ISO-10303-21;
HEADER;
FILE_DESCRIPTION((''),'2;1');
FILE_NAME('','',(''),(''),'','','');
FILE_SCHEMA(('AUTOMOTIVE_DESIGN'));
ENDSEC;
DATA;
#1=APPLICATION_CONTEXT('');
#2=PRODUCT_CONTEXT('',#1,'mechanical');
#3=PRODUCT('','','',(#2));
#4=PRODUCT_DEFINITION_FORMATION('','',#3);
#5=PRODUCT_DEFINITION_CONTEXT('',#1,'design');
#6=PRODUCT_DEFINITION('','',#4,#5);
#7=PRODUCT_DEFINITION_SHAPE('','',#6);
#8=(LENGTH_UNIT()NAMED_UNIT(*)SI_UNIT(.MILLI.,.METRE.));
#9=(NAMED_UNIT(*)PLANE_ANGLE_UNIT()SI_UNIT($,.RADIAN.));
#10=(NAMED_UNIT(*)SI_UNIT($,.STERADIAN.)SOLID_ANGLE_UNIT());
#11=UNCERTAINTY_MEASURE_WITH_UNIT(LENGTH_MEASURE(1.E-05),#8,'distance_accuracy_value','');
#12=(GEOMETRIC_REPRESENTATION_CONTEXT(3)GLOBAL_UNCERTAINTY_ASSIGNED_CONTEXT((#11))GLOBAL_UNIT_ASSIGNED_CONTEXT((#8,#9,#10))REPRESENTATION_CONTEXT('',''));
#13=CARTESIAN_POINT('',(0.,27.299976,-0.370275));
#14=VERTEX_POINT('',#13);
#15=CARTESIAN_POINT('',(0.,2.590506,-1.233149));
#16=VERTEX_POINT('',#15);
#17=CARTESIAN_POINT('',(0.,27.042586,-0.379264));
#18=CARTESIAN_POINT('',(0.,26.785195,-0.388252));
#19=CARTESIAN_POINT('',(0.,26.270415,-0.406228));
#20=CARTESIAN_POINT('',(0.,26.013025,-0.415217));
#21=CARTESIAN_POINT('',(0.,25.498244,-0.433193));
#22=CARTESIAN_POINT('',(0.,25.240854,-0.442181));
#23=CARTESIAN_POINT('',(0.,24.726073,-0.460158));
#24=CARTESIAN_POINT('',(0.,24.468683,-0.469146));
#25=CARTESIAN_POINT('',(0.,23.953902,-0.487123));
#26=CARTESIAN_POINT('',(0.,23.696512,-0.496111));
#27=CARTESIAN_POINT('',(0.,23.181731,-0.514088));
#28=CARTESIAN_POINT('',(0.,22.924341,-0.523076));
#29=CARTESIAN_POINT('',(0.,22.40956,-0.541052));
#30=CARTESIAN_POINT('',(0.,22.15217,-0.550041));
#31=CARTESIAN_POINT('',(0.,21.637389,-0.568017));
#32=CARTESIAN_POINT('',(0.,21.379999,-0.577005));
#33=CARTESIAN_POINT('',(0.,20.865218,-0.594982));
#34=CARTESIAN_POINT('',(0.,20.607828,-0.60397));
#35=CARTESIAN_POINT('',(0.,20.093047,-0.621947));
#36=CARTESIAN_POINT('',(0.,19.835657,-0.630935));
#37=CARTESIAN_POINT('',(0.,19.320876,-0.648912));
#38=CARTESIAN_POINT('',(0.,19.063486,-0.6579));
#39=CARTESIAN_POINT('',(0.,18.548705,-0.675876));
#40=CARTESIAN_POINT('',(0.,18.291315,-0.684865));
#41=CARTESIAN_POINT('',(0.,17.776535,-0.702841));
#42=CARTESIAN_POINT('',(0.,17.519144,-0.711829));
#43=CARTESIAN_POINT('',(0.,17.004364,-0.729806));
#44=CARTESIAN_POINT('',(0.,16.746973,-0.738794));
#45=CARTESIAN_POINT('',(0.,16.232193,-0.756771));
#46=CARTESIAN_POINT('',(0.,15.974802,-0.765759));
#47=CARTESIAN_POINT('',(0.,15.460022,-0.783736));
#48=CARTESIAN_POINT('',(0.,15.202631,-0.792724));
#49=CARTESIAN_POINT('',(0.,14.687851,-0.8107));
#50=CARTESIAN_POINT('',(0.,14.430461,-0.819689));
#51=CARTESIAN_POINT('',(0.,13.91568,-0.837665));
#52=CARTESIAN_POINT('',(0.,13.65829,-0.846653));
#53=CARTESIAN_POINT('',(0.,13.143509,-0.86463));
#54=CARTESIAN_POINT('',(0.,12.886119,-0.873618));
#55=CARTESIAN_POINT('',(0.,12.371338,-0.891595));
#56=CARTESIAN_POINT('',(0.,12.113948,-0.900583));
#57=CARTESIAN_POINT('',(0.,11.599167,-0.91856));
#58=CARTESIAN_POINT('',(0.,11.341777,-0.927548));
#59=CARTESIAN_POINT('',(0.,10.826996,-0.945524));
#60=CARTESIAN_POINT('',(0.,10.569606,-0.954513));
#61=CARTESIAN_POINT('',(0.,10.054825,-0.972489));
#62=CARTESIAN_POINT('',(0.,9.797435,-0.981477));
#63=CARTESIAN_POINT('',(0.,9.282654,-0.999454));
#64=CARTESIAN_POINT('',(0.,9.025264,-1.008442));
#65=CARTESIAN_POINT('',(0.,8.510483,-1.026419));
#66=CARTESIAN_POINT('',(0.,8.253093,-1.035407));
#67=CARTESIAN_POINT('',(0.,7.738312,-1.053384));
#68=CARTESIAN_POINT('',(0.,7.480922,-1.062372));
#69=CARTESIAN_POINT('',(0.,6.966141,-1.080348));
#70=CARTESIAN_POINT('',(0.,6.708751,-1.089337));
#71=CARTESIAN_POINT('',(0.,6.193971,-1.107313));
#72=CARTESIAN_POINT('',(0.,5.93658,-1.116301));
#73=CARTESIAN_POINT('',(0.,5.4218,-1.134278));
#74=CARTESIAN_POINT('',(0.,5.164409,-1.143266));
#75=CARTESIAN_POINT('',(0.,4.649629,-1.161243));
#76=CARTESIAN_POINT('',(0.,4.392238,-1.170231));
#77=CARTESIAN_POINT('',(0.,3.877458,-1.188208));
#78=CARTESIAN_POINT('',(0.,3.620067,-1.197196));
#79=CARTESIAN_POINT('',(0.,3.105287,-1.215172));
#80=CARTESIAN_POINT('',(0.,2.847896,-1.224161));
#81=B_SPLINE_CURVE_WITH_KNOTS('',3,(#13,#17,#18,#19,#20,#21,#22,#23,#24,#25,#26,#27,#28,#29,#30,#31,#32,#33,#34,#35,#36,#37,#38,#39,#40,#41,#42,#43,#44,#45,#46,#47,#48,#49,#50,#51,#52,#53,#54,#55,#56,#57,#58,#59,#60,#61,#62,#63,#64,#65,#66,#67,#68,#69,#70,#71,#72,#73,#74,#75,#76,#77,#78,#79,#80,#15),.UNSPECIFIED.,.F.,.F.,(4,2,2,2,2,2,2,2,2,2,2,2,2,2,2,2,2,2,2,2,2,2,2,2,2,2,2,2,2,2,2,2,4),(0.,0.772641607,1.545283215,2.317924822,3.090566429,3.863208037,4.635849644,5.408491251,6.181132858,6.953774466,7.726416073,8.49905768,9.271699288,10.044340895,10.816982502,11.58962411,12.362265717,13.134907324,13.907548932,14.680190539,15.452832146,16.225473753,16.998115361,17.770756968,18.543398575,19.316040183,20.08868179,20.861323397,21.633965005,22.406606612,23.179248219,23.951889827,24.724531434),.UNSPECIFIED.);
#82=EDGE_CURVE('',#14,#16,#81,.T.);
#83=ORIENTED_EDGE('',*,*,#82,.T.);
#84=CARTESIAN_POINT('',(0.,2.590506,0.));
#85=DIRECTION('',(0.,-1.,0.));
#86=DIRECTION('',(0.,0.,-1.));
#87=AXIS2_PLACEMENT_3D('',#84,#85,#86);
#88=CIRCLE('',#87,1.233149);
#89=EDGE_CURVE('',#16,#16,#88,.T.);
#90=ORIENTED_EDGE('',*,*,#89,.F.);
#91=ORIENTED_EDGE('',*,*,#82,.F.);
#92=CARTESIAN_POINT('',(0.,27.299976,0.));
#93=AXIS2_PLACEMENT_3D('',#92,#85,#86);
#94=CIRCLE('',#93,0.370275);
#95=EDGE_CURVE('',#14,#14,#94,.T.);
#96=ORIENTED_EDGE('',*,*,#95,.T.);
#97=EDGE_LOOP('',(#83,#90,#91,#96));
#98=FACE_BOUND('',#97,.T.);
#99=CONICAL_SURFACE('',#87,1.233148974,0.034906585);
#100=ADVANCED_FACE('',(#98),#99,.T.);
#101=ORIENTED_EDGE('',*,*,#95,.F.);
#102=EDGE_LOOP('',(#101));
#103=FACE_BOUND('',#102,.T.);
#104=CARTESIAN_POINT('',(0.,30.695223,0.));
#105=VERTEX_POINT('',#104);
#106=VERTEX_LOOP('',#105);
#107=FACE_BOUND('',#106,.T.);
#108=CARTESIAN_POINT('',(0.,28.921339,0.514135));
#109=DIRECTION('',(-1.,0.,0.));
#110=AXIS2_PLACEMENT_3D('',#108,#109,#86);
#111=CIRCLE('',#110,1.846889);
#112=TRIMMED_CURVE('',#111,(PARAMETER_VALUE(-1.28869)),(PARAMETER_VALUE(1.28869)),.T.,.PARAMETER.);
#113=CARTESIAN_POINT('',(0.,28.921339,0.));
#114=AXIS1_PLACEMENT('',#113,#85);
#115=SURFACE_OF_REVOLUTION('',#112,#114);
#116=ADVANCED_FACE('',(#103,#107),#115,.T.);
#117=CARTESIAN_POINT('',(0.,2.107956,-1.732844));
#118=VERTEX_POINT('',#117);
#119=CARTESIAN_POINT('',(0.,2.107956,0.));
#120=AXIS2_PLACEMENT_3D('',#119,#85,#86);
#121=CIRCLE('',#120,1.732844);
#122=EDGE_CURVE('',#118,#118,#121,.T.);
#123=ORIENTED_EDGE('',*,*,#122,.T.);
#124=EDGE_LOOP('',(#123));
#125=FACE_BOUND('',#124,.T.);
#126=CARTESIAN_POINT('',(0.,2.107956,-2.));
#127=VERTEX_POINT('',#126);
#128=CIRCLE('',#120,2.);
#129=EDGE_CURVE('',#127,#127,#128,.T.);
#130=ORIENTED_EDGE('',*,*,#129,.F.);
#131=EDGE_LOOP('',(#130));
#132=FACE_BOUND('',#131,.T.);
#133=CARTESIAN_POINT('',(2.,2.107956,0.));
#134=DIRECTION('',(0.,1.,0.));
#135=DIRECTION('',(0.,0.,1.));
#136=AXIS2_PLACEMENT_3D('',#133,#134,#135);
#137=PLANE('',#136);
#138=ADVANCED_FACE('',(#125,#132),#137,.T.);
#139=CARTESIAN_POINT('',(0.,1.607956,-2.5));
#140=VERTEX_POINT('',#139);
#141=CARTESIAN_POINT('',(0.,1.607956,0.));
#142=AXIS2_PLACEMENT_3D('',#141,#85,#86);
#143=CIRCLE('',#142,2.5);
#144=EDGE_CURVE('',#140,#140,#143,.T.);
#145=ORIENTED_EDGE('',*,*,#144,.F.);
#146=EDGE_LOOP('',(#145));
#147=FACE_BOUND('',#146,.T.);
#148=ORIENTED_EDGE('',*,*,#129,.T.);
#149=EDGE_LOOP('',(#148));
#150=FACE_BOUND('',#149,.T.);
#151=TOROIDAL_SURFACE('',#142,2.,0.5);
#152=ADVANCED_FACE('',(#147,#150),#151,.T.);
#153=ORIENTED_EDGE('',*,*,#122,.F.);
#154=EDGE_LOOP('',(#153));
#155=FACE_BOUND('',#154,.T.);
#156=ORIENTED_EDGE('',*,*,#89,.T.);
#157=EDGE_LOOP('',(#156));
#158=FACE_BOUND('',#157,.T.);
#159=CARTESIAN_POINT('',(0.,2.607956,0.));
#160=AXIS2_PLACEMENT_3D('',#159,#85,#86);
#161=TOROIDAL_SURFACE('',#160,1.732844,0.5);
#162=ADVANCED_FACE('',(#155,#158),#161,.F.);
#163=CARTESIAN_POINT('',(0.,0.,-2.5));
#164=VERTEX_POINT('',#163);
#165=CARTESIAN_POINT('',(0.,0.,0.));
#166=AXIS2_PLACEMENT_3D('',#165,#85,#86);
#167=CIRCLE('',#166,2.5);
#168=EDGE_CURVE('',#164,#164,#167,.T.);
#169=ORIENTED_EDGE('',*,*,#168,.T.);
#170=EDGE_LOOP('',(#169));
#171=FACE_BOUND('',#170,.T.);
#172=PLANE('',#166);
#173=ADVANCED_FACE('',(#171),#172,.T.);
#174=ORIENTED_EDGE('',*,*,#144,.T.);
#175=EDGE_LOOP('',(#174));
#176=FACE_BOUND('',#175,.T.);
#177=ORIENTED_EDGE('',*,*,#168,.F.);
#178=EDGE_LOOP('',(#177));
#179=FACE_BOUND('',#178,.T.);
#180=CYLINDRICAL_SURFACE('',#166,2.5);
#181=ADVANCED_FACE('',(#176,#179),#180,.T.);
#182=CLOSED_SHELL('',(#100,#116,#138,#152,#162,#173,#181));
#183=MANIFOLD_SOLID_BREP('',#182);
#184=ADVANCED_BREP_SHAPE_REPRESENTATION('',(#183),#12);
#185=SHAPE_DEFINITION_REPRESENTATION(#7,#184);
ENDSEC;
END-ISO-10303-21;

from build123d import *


with BuildPart() as part:
    # Croquis1 → Revolución1 (revolve)
    with BuildSketch(Plane.XY, mode=Mode.PRIVATE) as revoluci_n1_sk:
        with BuildLine():
            Line((0, 0), (2.5, 0))
            Line((2.5, 0), (2.5, 1.607955914))
            ThreePointArc((2.5, 1.607955914), (2.353553391, 1.961509305), (2, 2.107955914))
            Line((2, 2.107955914), (1.732844387, 2.107955914))
            ThreePointArc((1.732844387, 2.107955914), (1.385515202, 2.248286014), (1.233148974, 2.590506166))
            Line((1.233148974, 2.590506166), (0.370275271, 27.299976083))
            ThreePointArc((0.370275271, 27.299976083), (1.321868208, 29.121568104), (0, 30.695223418))
            Line((0, 30.695223418), (0, 0))
        make_face()
    revolve(revoluci_n1_sk.sketch.rotate(Axis((0, 0, 0), (0, 1, 0)), 90), axis=Axis((0, 0, 0), (0, 1, 0)))


solid = part.part
